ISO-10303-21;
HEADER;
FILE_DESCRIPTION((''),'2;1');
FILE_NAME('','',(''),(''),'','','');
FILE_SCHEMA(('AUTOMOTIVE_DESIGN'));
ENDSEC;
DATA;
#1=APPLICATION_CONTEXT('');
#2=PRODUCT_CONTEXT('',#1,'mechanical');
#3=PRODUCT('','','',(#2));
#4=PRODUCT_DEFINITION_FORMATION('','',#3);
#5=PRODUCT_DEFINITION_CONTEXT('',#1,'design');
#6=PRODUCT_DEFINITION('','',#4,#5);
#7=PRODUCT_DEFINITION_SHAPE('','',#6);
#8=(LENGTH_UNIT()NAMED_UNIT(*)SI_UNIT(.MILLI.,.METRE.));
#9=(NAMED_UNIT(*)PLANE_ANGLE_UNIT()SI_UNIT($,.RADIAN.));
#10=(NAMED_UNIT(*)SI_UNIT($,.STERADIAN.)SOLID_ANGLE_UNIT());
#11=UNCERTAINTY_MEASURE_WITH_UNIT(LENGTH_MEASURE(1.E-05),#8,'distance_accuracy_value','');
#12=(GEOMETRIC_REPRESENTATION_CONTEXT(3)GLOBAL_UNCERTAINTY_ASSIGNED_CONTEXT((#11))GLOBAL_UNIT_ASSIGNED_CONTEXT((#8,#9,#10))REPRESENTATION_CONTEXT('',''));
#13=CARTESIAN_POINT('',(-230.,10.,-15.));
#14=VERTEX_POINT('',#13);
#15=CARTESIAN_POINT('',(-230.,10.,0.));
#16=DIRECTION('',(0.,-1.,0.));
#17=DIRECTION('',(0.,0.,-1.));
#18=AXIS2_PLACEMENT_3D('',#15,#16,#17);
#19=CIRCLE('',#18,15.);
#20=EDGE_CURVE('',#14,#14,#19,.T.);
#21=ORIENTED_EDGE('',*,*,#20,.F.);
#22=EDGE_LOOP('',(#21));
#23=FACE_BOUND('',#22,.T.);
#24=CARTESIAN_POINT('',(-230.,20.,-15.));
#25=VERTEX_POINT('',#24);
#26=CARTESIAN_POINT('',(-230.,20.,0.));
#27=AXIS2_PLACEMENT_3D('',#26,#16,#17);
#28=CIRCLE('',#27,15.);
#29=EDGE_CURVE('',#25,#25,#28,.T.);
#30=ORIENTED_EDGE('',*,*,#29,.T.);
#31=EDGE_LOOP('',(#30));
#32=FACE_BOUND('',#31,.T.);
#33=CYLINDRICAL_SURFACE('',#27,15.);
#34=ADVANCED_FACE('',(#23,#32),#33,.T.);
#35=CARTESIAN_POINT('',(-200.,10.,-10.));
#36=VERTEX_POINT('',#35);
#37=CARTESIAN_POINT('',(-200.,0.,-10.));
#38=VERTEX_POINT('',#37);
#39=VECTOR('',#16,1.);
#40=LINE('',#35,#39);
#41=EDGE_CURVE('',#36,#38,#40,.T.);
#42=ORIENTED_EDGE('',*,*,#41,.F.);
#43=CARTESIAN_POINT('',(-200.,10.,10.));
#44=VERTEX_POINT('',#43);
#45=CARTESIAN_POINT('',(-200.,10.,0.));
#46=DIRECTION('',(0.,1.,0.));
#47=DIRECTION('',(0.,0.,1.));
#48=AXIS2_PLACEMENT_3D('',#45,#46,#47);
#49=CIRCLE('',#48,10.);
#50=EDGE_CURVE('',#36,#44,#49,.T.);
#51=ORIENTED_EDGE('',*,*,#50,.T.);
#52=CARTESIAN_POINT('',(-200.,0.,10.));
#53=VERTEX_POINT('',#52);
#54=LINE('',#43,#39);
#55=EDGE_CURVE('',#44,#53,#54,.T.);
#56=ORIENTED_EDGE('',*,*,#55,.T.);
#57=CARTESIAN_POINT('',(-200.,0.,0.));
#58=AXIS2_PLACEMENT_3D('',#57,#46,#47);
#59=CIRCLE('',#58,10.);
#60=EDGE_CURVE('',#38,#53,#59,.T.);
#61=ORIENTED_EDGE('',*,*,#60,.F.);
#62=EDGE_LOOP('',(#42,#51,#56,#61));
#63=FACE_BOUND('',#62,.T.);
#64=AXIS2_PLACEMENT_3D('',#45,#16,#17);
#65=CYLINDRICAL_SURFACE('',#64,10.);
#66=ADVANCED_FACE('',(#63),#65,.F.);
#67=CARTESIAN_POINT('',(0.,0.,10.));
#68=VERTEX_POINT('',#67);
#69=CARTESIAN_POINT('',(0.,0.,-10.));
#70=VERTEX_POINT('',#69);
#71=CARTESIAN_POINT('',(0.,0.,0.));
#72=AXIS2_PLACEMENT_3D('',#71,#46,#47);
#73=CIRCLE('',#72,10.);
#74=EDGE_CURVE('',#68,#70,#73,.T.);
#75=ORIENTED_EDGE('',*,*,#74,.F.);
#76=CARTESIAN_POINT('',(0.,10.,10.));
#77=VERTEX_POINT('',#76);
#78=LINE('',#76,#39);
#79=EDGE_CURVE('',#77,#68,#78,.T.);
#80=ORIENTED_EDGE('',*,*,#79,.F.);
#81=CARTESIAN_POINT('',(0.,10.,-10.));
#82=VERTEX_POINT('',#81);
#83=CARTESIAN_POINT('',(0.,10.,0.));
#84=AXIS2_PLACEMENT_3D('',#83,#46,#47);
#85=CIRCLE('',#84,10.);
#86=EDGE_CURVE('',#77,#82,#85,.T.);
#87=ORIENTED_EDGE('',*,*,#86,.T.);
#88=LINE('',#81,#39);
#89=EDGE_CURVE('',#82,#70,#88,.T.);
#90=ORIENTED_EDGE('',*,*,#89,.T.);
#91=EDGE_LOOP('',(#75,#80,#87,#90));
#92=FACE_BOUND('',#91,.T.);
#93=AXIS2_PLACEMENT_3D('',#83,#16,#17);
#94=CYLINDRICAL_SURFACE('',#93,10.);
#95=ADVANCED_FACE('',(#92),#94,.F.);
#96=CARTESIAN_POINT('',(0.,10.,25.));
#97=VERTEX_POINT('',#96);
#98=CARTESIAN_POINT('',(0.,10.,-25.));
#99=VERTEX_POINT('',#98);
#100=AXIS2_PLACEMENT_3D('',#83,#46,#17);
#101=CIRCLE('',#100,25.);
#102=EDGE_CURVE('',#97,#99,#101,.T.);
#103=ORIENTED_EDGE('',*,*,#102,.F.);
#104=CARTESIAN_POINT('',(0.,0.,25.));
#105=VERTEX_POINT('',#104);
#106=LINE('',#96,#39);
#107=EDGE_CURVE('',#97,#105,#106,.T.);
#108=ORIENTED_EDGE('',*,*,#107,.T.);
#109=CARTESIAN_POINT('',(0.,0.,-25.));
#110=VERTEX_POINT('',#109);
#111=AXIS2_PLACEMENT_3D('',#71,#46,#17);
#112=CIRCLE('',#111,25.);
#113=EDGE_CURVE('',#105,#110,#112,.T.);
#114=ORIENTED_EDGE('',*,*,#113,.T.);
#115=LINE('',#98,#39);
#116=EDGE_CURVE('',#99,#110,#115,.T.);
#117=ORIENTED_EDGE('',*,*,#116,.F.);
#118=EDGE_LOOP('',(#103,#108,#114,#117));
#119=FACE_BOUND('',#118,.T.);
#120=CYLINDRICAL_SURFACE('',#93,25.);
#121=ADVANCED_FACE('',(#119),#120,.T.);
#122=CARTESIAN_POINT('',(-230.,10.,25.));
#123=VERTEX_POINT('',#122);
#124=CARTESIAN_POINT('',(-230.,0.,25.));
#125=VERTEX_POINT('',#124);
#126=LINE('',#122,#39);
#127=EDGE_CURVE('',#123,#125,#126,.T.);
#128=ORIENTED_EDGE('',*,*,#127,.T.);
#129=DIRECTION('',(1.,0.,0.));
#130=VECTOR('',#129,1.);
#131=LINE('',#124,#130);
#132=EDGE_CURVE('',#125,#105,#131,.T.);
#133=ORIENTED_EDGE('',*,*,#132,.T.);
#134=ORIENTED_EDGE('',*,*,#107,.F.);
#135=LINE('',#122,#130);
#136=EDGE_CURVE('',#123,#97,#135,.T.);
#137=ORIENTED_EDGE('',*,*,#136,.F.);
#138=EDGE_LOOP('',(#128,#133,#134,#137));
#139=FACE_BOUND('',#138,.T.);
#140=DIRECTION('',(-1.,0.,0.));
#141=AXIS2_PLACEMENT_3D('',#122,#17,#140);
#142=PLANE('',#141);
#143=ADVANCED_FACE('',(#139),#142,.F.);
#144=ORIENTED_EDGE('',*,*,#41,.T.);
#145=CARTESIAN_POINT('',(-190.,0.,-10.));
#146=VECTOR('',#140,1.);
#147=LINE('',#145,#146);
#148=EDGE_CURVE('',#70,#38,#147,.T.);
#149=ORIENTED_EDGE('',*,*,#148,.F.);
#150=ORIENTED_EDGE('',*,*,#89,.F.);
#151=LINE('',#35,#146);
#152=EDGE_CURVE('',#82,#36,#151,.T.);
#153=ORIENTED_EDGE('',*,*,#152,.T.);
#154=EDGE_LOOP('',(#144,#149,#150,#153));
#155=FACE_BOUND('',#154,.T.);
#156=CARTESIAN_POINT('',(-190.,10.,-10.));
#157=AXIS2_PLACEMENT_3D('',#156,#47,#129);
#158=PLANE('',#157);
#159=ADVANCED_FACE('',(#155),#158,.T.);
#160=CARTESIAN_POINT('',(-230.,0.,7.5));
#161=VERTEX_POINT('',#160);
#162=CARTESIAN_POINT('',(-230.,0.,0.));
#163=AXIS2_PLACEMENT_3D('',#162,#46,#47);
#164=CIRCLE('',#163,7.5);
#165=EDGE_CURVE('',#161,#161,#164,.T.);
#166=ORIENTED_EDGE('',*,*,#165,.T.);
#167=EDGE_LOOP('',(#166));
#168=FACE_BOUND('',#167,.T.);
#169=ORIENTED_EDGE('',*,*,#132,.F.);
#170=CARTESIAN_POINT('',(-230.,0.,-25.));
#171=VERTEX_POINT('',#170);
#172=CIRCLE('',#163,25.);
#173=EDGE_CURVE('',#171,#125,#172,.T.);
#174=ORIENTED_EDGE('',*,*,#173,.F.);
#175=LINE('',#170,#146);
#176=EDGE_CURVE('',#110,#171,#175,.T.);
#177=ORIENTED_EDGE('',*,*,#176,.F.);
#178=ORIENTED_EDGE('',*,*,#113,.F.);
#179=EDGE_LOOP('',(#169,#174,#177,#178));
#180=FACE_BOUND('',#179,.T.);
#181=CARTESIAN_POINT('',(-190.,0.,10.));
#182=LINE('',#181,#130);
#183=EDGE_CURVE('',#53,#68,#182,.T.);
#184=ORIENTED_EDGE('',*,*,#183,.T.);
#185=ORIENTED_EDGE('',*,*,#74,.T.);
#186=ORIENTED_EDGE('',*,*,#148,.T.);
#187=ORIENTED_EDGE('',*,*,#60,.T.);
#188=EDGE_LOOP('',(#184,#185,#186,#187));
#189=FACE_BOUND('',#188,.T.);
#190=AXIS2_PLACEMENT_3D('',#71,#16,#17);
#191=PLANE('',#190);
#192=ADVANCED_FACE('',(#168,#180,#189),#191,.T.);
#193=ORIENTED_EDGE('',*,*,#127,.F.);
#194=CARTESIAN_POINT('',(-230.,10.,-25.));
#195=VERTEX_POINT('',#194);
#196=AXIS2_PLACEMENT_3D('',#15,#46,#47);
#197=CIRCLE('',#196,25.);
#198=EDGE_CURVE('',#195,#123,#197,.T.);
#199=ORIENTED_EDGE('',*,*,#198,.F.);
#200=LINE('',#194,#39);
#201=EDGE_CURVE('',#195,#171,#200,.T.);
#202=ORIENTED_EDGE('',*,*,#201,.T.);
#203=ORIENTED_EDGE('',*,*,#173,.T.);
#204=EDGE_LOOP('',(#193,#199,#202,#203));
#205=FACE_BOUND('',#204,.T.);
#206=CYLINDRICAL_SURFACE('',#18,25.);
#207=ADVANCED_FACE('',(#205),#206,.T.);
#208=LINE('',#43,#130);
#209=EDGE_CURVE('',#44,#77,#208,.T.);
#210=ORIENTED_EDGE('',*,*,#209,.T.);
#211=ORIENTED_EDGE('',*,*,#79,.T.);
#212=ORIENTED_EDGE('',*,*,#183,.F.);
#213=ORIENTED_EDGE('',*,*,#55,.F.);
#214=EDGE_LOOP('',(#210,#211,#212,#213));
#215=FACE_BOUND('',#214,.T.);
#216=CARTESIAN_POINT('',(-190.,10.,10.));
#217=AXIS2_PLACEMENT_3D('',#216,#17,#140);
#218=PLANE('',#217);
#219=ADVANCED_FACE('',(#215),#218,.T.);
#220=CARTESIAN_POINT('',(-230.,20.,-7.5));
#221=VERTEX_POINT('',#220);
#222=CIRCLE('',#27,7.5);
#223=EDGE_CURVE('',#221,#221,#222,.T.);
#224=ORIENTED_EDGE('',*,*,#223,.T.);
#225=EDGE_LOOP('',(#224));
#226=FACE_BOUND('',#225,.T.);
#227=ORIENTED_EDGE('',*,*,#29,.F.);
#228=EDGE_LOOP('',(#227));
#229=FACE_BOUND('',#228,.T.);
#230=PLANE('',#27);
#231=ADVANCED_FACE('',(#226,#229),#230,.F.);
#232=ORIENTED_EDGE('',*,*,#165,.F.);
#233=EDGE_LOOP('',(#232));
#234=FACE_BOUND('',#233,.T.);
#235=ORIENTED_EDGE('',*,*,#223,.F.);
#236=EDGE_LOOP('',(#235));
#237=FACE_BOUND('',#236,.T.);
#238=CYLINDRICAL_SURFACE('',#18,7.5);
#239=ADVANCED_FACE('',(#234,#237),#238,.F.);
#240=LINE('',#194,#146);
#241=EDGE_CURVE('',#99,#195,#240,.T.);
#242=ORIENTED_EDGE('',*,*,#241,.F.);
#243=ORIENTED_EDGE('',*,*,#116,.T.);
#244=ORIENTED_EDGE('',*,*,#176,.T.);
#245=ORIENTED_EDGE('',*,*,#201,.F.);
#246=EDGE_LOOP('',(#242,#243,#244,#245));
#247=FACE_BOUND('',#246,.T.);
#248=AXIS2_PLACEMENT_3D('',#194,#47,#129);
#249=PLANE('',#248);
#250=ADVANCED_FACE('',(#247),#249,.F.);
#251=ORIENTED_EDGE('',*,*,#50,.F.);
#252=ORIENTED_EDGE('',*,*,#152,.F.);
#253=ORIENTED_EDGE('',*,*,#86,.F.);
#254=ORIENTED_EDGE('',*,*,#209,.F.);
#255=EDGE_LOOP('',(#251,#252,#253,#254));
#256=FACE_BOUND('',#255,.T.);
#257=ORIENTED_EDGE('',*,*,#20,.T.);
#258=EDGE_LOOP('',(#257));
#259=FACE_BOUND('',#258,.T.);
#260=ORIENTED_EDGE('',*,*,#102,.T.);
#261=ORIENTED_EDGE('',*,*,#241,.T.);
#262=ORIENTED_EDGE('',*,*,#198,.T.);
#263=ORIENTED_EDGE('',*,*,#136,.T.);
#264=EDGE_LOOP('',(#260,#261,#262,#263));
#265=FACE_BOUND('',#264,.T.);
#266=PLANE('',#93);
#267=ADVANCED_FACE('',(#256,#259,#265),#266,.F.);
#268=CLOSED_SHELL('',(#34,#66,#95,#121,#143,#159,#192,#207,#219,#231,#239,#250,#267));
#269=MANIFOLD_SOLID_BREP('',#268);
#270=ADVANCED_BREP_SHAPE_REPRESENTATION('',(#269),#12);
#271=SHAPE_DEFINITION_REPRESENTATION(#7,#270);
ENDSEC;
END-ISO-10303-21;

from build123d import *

# Parameters (mm, degrees)
SKETCH2_R           = 7.5
BOSS_EXTRUDE1_DEPTH = 10
SKETCH3_R           = 15
SKETCH3_R_2         = 7.5
BOSS_EXTRUDE2_DEPTH = 20


with BuildPart() as part:
    # Sketch2 → Boss-Extrude1 (new body)
    with BuildSketch(Plane(origin=(0, 0, 0), x_dir=(1, 0, 0), z_dir=(0, 1, 0))):
        with BuildLine():
            Line((-230, 25), (0, 25))
            ThreePointArc((0, 25), (25, 0), (0, -25))
            Line((0, -25), (-230, -25))
            ThreePointArc((-230, -25), (-255, 0), (-230, 25))
        make_face()
        with Locations(Location((-230, 0, 0), (0, 0, 270))):
            Circle(SKETCH2_R, mode=Mode.SUBTRACT)
        with BuildLine():
            Line((-190, 10), (0, 10))
            ThreePointArc((0, 10), (10, 0), (0, -10))
            Line((0, -10), (-190, -10))
            Line((-190, -10), (-200, -10))
            ThreePointArc((-200, -10), (-210, 0), (-200, 10))
            Line((-200, 10), (-190, 10))
        make_face(mode=Mode.SUBTRACT)
    extrude(amount=BOSS_EXTRUDE1_DEPTH)

    # Sketch3 → Boss-Extrude2 (add)
    with BuildSketch(Plane.XZ):
        with Locations(Location((-230, 0, 0), (0, 0, 270))):
            Circle(SKETCH3_R)
        with Locations(Location((-230, 0, 0), (0, 0, 270))):
            Circle(SKETCH3_R_2, mode=Mode.SUBTRACT)
    extrude(amount=-BOSS_EXTRUDE2_DEPTH)


solid = part.part
